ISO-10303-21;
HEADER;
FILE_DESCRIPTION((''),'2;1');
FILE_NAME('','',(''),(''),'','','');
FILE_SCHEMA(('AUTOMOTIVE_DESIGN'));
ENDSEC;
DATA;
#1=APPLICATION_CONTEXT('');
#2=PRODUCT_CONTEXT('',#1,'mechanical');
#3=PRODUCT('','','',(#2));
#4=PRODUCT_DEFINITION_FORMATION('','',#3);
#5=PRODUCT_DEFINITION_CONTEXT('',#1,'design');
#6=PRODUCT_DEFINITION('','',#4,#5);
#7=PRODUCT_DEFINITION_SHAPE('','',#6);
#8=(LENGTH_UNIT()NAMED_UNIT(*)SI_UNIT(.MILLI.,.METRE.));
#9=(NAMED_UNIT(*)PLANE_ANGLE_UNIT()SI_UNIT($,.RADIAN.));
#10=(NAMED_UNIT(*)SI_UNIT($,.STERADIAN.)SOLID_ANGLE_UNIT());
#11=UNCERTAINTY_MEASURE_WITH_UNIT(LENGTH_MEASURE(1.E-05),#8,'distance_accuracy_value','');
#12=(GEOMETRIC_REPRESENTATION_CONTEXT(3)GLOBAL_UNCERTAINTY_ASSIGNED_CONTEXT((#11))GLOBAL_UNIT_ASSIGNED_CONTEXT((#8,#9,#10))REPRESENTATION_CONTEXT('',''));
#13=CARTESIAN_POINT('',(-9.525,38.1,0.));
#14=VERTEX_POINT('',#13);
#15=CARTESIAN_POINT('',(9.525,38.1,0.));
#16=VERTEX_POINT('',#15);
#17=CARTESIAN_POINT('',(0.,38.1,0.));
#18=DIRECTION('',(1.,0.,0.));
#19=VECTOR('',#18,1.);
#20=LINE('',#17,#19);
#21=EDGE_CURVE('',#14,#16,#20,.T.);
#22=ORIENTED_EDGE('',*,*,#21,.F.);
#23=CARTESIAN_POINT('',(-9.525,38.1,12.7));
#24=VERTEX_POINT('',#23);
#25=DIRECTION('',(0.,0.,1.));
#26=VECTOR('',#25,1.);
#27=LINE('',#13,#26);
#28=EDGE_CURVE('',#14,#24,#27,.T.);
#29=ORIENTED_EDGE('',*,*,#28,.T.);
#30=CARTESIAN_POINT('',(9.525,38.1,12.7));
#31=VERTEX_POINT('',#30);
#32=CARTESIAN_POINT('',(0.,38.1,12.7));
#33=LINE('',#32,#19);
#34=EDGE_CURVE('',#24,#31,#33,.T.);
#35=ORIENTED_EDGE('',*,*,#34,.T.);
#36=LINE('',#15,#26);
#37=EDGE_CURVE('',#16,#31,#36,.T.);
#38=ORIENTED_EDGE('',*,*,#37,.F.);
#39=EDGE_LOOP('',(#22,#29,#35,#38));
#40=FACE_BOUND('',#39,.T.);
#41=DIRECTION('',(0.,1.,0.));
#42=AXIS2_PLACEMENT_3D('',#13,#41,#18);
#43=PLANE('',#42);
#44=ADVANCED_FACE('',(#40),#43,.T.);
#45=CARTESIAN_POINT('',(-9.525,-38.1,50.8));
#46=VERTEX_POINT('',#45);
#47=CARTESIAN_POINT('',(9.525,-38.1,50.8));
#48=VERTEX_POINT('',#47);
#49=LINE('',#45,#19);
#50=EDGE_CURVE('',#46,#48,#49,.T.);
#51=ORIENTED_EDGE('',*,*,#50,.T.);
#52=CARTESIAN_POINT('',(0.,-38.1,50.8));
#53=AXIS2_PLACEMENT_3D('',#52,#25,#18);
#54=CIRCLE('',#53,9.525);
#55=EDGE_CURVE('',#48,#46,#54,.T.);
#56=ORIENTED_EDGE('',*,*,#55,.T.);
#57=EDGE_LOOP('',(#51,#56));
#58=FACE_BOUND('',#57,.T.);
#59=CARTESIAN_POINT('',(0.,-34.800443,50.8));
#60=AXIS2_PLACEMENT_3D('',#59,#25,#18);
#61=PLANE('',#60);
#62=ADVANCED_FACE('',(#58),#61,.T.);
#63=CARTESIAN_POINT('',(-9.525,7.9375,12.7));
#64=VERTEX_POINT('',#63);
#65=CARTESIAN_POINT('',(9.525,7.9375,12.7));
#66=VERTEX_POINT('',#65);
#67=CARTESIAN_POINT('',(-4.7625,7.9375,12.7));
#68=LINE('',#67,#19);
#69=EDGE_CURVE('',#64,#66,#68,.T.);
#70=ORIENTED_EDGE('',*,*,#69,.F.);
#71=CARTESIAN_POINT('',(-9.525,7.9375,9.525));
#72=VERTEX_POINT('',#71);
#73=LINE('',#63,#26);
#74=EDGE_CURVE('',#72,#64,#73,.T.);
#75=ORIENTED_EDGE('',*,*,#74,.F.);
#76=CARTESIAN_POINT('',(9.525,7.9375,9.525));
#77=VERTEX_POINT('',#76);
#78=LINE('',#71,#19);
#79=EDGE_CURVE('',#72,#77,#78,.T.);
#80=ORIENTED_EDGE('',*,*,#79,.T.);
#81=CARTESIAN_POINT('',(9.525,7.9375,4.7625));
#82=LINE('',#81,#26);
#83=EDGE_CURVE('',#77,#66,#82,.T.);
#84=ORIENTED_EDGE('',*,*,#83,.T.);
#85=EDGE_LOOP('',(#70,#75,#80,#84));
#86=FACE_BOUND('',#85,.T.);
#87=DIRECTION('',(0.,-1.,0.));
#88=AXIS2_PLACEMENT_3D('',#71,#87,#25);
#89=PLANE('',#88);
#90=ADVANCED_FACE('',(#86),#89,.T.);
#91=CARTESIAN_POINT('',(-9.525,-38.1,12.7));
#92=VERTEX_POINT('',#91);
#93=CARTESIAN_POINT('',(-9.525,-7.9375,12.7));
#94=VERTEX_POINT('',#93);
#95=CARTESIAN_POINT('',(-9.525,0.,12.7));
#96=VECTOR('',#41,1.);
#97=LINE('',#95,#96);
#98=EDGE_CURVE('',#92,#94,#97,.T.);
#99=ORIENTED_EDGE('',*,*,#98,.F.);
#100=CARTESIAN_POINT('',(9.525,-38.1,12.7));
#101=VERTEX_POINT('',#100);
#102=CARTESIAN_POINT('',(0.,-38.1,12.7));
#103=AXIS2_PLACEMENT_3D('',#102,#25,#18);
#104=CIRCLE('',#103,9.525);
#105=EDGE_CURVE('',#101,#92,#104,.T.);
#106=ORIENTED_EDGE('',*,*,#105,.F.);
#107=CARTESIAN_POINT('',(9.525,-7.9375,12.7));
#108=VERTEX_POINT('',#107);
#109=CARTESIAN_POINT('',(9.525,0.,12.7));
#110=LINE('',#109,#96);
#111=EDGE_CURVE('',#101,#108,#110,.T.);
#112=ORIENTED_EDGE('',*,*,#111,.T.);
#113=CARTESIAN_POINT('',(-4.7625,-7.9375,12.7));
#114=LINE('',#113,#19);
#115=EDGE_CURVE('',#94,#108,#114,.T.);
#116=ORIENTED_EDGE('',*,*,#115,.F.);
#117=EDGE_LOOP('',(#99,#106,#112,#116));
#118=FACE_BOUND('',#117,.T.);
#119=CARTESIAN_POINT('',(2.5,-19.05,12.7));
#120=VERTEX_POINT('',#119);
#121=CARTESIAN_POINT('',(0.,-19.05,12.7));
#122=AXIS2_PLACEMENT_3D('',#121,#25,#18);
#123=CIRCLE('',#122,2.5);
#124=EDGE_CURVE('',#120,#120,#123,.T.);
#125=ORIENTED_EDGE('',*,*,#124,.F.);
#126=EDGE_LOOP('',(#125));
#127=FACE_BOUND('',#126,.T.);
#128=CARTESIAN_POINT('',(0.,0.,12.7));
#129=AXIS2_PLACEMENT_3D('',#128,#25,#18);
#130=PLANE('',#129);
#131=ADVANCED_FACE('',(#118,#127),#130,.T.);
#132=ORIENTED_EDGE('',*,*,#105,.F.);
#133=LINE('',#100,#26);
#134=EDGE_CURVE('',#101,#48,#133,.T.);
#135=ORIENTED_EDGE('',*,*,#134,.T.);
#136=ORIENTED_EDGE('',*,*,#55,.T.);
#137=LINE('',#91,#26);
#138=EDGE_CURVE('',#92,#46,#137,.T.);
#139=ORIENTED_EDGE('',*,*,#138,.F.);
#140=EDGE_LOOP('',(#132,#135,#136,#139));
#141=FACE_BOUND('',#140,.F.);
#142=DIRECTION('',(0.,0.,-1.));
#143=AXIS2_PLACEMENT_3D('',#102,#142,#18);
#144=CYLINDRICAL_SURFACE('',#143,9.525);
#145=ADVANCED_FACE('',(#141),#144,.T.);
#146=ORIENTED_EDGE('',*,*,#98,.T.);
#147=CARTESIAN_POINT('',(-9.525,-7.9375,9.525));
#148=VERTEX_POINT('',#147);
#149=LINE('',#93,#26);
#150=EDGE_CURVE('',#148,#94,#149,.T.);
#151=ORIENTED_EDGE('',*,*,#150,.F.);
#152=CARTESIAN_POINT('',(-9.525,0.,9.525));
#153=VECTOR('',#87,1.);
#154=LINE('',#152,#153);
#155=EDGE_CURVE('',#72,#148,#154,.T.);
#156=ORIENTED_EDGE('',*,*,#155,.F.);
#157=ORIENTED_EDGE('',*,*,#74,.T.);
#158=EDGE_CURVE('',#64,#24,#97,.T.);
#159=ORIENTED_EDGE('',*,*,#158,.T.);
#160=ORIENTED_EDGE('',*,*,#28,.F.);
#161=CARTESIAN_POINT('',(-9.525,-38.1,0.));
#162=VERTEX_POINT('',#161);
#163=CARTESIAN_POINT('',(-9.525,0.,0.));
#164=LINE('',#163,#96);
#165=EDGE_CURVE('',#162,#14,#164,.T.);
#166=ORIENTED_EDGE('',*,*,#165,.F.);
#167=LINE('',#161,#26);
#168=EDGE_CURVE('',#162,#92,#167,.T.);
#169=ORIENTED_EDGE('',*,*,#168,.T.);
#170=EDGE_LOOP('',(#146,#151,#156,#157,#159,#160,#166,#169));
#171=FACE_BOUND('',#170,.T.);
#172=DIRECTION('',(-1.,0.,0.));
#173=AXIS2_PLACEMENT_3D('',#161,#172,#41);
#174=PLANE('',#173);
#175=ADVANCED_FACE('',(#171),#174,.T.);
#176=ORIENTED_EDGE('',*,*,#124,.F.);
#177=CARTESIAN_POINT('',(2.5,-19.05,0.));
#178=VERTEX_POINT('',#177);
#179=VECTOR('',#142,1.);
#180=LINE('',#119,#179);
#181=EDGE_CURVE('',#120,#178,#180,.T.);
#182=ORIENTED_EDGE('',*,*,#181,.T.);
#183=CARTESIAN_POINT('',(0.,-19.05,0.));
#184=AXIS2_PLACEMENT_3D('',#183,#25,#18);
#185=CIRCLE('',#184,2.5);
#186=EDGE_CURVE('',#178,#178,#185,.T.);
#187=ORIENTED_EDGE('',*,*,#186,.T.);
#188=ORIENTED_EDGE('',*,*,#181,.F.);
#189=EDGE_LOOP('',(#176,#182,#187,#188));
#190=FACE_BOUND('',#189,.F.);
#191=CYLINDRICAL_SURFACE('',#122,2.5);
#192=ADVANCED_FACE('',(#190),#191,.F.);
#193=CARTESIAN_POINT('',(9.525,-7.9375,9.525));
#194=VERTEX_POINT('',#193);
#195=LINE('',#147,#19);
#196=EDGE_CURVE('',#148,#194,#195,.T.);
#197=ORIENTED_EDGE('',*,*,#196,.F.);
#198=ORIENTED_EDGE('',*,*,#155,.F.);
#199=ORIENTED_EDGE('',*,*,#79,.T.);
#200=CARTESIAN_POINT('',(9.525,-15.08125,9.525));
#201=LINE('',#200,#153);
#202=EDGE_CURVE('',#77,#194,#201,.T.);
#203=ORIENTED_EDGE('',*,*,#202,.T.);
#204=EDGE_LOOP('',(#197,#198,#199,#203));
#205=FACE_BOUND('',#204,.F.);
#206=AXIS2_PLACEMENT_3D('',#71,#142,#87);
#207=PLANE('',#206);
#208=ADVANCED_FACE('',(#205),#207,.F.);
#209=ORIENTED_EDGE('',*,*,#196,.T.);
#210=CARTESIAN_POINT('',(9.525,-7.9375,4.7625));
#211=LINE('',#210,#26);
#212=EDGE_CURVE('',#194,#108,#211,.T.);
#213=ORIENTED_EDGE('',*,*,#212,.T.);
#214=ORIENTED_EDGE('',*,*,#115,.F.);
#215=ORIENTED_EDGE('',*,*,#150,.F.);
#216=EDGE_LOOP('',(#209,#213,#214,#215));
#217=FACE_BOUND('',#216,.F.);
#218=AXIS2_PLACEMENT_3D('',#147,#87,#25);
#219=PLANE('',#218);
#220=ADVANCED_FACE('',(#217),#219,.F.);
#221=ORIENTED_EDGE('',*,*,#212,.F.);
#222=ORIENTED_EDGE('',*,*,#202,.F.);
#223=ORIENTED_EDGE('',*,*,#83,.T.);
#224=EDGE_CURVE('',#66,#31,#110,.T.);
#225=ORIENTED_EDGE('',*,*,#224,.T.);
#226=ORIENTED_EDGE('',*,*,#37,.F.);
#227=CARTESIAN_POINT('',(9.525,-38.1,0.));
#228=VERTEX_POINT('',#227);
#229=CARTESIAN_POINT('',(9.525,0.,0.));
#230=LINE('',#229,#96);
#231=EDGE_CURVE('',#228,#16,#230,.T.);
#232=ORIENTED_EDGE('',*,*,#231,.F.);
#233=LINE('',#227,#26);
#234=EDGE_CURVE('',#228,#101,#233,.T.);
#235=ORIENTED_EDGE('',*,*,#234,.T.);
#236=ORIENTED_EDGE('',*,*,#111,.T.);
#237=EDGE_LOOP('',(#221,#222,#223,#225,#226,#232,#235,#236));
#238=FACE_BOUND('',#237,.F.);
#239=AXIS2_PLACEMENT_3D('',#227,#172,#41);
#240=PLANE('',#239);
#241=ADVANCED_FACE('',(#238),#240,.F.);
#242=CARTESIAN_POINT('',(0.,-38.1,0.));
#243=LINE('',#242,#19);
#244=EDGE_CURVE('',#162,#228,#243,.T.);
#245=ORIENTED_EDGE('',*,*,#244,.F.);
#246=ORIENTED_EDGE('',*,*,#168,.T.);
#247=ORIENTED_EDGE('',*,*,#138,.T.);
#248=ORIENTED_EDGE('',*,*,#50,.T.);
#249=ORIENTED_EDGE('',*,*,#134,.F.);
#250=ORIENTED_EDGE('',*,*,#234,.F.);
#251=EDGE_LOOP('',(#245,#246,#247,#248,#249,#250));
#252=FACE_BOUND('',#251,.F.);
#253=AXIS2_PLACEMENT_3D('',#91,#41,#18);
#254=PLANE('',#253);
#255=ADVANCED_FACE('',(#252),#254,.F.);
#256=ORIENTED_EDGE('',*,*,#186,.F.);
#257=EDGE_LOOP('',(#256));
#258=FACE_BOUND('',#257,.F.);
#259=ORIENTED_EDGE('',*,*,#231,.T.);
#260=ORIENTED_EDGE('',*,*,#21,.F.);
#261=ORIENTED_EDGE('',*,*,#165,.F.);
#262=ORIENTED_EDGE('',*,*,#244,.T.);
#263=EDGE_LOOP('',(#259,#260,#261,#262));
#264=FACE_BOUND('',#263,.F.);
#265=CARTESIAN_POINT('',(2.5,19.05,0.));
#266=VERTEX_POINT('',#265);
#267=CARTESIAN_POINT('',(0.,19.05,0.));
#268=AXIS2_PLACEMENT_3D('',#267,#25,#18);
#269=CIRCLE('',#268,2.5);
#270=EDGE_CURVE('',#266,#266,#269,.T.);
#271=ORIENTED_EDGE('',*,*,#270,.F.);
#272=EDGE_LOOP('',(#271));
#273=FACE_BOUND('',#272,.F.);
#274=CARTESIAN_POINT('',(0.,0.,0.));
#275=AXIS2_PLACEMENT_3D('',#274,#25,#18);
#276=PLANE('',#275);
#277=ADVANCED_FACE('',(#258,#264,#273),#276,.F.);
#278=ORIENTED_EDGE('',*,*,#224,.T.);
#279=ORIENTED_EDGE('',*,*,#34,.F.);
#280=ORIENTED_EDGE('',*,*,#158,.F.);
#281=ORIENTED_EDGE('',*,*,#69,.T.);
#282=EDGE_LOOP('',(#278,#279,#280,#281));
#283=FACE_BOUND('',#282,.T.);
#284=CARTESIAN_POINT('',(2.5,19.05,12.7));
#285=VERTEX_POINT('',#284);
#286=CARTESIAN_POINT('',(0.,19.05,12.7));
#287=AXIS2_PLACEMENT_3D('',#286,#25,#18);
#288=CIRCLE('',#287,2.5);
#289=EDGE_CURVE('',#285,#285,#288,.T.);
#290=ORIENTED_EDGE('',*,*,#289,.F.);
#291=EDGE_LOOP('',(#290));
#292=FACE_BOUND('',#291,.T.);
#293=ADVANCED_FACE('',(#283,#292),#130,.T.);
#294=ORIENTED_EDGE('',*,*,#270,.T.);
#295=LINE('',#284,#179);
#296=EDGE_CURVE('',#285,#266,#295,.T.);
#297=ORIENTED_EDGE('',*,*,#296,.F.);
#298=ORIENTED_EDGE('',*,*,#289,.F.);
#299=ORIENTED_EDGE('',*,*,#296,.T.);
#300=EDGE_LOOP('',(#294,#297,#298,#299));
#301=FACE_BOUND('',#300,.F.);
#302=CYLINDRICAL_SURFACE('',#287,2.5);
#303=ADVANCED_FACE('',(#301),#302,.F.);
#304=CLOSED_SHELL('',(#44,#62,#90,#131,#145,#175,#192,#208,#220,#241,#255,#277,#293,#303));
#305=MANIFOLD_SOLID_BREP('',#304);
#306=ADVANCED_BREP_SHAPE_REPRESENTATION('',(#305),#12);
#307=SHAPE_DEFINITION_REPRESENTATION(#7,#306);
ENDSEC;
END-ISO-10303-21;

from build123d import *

# Parameters (mm, degrees)
F0_W     = 19.05
F0_H     = 76.2
F1_DEPTH = 12.7
F3_DEPTH = 38.1
F4_W     = 15.875
F4_H     = 6.35
F5_DEPTH = 19.051
F6_R     = 2.5
F7_DEPTH = 12.701


with BuildPart() as f1:
    # F0 (on Top) → F1 (new body)
    with BuildSketch(Plane.XY):
        Rectangle(F0_W, F0_H)
    extrude(amount=F1_DEPTH)

    # F2 (on face) → F3 (join)
    with BuildSketch(Plane.XY.offset(12.7)):
        with BuildLine():
            Line((-9.525, -38.1), (9.525, -38.1))
            ThreePointArc((9.525, -38.1), (0, -28.575), (-9.525, -38.1))
        make_face()
    extrude(amount=F3_DEPTH)

    # F4 (on face) → F5 (cut, through all)
    with BuildSketch(Plane(origin=(-9.525, 0, 0), x_dir=(0, -1, 0), z_dir=(-1, 0, 0))):
        with Locations((0, 12.7)):
            Rectangle(F4_W, F4_H)
    extrude(amount=-F5_DEPTH, mode=Mode.SUBTRACT)

    # F6 (on face) → F7 (cut, through all)
    with BuildSketch(Plane.XY.offset(12.7)):
        with Locations((0, -19.05)):
            Circle(F6_R)
        with Locations((0, 19.05)):
            Circle(F6_R)
    extrude(amount=-F7_DEPTH, mode=Mode.SUBTRACT)


solid = f1.part
